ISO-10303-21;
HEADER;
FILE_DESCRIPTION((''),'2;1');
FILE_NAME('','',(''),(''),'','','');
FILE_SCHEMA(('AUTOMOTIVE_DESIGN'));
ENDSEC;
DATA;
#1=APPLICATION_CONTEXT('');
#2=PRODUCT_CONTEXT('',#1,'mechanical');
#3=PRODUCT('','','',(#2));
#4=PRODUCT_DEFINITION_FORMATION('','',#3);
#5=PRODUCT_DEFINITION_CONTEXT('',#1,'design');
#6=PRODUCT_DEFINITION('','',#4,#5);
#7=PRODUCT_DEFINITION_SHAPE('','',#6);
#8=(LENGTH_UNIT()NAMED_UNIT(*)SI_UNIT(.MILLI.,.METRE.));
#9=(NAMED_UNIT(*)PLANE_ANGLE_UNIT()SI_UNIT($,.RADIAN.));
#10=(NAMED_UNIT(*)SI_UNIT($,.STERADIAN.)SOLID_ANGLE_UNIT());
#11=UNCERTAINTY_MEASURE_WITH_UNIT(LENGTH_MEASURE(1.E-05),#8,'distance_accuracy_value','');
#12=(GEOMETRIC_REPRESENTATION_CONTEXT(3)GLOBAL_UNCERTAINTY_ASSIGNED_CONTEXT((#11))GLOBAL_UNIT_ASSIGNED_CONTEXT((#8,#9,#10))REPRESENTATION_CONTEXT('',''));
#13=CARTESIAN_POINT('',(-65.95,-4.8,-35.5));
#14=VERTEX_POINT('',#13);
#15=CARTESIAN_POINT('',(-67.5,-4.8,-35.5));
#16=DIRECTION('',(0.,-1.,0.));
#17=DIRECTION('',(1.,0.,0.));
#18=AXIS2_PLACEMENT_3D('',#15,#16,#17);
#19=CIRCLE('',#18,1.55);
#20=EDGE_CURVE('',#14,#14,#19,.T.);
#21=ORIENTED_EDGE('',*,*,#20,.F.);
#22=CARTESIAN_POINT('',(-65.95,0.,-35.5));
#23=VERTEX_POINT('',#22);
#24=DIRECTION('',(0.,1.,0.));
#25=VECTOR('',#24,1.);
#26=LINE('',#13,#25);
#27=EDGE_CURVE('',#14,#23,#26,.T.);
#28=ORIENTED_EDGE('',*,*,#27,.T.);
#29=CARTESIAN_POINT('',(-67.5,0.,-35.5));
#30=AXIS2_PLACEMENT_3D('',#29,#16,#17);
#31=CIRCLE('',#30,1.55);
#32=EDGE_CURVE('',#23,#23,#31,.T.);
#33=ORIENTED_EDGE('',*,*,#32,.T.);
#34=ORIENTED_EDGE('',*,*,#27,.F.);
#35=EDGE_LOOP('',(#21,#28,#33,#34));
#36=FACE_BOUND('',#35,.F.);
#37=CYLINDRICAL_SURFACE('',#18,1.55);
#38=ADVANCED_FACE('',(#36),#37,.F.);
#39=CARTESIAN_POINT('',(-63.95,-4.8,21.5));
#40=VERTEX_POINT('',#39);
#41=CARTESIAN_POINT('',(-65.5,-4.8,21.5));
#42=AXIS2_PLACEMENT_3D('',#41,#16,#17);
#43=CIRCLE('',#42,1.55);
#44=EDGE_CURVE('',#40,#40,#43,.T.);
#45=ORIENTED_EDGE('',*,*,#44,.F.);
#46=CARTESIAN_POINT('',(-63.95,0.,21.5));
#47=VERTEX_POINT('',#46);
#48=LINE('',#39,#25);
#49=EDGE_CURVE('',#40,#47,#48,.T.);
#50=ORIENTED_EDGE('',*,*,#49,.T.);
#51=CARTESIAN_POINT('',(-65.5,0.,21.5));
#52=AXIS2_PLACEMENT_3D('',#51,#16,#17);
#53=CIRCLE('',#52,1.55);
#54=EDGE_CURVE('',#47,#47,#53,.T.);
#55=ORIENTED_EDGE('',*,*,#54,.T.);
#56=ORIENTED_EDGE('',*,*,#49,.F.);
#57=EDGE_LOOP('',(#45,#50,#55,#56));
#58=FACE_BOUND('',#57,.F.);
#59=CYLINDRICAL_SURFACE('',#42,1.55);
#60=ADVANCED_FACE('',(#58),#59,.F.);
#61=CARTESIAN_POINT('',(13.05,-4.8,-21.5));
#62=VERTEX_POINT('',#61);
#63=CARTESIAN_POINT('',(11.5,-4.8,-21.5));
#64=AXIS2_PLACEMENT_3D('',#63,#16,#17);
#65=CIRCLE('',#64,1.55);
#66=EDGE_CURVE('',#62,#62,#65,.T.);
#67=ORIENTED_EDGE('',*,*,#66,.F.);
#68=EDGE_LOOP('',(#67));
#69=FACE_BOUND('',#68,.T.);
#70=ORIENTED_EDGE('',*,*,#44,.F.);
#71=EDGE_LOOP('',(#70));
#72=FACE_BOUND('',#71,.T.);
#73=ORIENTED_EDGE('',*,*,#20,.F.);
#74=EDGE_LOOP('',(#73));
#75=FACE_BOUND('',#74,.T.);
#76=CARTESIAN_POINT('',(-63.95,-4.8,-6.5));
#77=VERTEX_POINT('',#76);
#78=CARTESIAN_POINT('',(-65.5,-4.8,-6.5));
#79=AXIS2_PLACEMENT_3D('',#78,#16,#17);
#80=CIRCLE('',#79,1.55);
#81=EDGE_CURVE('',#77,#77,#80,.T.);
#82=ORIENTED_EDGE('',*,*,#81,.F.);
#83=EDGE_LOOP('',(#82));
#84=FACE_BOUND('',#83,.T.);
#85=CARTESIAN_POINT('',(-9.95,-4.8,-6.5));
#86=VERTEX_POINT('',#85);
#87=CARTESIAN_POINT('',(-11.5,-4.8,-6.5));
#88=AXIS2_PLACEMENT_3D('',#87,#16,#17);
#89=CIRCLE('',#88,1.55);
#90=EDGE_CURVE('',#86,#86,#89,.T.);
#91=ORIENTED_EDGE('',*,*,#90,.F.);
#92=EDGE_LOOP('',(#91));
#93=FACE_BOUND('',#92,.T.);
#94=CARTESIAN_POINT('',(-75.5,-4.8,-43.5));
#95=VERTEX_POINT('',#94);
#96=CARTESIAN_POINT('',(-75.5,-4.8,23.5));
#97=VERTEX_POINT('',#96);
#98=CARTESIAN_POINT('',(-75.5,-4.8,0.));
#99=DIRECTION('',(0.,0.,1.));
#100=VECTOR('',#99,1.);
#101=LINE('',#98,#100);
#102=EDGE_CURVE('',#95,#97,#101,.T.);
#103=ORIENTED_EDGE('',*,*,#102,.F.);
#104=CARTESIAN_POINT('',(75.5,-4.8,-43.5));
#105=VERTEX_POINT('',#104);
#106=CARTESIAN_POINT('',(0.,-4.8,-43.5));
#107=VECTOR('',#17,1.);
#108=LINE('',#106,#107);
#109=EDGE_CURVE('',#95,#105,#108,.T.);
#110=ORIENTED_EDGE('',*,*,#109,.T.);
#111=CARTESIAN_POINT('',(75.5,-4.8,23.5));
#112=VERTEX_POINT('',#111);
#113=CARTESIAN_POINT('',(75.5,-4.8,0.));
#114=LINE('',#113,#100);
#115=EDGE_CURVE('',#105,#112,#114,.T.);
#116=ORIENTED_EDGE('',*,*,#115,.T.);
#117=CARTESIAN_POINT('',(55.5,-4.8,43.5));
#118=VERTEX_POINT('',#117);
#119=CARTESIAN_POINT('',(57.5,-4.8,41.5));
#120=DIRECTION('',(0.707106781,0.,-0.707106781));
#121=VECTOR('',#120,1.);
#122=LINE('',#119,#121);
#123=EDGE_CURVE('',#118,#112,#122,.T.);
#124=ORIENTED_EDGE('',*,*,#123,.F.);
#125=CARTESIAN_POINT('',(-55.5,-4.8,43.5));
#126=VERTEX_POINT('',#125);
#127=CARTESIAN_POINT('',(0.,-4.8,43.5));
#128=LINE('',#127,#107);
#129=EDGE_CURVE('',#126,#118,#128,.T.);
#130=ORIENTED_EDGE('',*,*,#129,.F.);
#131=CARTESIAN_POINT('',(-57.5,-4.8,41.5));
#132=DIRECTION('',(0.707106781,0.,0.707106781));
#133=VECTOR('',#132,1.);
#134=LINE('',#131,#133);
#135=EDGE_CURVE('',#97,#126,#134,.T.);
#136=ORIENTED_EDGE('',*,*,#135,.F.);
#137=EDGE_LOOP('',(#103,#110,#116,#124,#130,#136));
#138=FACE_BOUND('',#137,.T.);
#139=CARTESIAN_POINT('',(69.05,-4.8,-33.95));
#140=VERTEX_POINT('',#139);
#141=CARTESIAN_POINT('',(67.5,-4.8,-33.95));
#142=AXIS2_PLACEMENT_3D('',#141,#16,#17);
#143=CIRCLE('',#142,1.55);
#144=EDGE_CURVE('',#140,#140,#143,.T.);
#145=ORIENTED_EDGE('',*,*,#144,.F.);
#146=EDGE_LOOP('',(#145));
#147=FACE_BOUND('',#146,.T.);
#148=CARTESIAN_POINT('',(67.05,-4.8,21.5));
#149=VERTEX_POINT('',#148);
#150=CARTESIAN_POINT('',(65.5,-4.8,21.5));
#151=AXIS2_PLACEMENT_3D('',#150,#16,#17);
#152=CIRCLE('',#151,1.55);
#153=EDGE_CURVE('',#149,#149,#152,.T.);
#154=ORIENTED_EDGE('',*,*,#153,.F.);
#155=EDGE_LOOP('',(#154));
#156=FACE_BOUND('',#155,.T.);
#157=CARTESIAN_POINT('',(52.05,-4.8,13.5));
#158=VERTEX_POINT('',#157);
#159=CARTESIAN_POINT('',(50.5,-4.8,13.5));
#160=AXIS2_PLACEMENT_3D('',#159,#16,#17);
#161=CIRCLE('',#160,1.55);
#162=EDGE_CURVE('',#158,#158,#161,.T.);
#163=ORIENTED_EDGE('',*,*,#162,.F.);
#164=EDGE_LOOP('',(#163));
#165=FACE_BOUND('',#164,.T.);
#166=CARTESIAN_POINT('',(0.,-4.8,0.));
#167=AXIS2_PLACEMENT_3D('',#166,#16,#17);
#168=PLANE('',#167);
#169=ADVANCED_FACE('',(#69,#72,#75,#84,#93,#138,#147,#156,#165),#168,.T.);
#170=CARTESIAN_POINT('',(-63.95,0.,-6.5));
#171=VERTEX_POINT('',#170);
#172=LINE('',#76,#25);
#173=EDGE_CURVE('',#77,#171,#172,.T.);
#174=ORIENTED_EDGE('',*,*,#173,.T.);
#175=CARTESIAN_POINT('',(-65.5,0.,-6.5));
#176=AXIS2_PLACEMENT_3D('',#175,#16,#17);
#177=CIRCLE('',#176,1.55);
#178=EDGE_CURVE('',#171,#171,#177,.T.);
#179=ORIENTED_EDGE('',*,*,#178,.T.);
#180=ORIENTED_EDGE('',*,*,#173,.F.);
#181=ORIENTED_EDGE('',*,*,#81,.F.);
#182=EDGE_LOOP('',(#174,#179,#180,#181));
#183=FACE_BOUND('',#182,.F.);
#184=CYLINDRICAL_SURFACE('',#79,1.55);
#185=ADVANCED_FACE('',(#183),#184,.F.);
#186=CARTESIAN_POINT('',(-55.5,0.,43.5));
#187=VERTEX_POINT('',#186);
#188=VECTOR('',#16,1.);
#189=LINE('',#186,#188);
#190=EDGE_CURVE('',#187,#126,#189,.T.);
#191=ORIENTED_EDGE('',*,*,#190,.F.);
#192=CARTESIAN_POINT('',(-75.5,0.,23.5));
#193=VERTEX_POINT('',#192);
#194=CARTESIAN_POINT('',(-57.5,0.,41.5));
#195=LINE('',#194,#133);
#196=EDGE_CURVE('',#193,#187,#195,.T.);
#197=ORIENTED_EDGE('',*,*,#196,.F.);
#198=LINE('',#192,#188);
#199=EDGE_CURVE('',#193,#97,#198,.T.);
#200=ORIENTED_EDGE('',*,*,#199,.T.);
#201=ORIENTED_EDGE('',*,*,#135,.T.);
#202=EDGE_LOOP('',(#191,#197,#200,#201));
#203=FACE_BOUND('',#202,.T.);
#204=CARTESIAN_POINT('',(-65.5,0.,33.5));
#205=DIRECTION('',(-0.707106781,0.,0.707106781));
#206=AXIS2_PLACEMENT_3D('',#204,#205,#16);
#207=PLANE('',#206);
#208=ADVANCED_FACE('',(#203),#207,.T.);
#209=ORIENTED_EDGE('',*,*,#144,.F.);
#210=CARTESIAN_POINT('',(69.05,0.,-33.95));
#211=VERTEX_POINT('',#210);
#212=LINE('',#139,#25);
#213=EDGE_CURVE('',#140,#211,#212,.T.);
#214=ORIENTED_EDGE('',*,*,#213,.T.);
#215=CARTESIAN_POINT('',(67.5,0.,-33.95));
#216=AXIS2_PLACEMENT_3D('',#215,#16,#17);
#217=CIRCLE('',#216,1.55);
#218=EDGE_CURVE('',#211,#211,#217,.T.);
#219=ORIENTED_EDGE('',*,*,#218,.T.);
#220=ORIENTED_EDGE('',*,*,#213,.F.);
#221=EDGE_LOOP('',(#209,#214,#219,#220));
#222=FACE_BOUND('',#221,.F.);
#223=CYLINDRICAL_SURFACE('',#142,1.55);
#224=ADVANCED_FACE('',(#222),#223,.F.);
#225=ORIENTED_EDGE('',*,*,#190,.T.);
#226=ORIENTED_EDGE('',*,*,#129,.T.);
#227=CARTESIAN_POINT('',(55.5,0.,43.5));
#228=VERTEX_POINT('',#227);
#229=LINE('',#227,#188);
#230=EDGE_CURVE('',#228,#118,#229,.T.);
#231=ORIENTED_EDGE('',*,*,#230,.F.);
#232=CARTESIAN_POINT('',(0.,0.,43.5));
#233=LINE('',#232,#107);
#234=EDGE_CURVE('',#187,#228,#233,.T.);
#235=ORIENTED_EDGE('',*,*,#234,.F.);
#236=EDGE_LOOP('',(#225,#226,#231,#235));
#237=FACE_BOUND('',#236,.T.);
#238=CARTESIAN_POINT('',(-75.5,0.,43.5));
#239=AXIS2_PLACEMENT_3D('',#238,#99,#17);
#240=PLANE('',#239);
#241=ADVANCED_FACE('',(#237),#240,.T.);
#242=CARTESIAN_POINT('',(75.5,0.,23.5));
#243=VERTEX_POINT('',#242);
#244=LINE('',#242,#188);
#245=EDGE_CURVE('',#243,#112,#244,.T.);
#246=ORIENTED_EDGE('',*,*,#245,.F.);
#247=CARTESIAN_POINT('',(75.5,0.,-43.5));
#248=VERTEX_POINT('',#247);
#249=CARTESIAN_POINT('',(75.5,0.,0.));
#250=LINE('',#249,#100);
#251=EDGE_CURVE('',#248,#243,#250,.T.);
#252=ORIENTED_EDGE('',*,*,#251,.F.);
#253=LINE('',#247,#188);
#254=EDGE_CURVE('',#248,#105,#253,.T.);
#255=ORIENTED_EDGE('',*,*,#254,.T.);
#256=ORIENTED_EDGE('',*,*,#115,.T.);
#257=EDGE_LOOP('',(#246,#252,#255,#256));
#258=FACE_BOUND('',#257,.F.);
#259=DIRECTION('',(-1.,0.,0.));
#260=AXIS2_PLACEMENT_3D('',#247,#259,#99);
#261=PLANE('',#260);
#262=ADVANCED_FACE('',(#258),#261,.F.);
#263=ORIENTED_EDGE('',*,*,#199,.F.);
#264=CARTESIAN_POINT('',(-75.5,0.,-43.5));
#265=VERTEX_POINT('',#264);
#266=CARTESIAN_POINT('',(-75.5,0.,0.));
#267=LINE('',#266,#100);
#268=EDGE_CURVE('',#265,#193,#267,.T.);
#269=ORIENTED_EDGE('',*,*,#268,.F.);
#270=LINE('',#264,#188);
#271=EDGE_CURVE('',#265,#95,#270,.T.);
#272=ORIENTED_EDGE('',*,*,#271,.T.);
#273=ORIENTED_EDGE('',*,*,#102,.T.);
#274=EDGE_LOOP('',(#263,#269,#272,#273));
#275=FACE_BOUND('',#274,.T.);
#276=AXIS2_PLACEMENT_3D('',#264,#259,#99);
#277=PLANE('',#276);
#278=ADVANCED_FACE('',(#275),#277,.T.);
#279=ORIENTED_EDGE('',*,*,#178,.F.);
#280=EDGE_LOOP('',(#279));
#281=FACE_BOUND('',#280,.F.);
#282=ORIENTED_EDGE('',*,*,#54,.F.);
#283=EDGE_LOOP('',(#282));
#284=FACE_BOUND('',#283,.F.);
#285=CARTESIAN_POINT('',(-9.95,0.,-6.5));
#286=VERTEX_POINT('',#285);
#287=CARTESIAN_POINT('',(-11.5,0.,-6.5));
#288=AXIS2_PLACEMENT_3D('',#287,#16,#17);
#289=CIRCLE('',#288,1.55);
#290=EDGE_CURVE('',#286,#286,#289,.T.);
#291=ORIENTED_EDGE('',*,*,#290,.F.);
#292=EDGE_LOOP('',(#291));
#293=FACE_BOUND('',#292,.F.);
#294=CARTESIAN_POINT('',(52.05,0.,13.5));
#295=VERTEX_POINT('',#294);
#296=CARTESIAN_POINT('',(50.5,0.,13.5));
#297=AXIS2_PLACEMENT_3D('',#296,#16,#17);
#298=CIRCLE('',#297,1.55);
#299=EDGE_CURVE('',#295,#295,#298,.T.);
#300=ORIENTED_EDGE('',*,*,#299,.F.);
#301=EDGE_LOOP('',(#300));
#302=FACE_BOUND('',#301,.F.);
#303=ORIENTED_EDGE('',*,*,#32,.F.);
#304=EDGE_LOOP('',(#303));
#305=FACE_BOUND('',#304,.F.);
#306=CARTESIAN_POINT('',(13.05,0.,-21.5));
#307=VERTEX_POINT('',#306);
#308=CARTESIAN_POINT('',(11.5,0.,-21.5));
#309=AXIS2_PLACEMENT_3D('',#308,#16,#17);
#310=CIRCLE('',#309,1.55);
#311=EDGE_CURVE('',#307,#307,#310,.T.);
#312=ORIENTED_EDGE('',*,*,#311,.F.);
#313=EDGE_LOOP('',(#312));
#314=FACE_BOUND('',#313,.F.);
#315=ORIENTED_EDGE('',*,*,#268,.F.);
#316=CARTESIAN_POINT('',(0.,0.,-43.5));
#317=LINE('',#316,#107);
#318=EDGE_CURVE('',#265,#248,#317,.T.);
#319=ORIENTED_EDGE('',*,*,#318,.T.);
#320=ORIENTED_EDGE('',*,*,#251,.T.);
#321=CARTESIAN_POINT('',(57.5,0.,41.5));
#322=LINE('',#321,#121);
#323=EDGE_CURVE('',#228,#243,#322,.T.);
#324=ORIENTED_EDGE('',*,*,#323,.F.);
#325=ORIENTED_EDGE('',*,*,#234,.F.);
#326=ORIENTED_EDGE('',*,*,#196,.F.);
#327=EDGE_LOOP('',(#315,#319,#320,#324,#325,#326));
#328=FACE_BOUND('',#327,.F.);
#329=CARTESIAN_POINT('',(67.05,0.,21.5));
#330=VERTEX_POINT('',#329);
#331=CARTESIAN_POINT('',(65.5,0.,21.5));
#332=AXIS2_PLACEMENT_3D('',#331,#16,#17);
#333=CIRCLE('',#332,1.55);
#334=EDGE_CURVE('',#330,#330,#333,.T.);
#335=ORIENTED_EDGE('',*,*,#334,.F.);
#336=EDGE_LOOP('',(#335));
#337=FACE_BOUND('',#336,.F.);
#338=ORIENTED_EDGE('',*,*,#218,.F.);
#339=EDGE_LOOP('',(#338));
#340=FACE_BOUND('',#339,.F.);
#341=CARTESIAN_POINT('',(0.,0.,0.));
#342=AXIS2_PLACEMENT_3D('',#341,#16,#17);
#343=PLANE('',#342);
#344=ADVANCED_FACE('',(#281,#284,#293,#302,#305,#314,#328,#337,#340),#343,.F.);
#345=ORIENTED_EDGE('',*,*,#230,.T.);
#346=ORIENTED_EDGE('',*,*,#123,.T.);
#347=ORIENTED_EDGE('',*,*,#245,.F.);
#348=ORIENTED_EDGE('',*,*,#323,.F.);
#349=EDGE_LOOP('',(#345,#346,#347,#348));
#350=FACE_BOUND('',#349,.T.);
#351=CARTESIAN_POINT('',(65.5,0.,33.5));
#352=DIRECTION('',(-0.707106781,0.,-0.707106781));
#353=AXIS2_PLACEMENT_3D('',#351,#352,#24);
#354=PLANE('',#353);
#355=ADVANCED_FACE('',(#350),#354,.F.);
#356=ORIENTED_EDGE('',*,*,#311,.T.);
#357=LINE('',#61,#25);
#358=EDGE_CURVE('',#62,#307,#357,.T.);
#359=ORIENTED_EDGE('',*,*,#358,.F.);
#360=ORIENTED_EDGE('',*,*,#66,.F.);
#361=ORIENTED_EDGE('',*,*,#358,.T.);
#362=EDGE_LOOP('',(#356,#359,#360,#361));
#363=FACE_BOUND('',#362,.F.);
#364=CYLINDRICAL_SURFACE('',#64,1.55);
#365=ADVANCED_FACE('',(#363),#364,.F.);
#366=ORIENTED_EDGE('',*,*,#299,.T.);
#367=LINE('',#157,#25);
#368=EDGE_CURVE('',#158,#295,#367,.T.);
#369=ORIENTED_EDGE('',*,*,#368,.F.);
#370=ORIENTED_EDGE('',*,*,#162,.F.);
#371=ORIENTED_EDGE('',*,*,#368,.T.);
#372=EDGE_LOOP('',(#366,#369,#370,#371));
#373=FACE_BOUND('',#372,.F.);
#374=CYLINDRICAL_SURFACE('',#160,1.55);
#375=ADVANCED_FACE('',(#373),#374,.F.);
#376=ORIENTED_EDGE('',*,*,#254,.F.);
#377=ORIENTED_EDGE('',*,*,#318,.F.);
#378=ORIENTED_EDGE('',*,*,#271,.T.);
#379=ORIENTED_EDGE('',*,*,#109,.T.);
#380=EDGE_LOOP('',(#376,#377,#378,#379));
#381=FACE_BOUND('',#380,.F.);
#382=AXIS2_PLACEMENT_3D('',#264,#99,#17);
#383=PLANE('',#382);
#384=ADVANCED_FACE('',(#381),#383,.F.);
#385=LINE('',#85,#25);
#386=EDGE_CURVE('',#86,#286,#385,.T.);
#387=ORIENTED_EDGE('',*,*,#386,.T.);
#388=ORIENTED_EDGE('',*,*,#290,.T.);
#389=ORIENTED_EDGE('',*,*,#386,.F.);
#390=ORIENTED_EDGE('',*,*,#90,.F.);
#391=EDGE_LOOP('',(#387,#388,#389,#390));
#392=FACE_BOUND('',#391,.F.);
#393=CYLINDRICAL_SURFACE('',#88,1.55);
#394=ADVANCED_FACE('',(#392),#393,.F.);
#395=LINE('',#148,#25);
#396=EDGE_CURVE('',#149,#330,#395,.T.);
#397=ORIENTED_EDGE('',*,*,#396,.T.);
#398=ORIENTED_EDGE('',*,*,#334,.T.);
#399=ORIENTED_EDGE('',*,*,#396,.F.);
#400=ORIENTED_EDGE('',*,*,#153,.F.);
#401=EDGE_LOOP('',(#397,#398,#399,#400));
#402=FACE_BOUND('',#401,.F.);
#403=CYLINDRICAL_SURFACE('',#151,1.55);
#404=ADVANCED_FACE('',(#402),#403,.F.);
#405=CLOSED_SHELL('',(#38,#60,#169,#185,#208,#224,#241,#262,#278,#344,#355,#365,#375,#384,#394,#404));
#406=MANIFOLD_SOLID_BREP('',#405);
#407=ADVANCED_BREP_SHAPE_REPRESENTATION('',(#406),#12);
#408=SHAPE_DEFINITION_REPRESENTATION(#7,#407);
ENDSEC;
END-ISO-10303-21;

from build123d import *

# Parameters (mm, degrees)
F0_W     = 151
F0_H     = 87
F1_DEPTH = 4.8
F2_R     = 1.55
F3_DEPTH = 4.8
F4_DEPTH = 4.8
F5_SIZE  = 20
F6_SIZE  = 20


with BuildPart() as f1:
    # F0 (on Front) → F1 (new body)
    with BuildSketch(Plane.XZ):
        Rectangle(F0_W, F0_H)
    extrude(amount=F1_DEPTH)

    # F2 (on face) → F3 (cut)
    with BuildSketch(Plane.XZ.offset(4.8)):
        with Locations((-65.5, -6.5)):
            Circle(F2_R)
    extrude(amount=-F3_DEPTH, mode=Mode.SUBTRACT)

    # F2 (on face) → F4 (cut)
    with BuildSketch(Plane.XZ.offset(4.8)):
        with Locations((-65.5, 21.5)):
            Circle(F2_R)
        with Locations((65.5, 21.5)):
            Circle(F2_R)
        with Locations((-67.5, -35.5)):
            Circle(F2_R)
        with Locations((67.5, -33.95)):
            Circle(F2_R)
        with Locations((50.5, 13.5)):
            Circle(F2_R)
        with Locations((11.5, -21.5)):
            Circle(F2_R)
        with Locations((-65.5, -6.5)):
            Circle(F2_R)
        with Locations((-11.5, -6.5)):
            Circle(F2_R)
    extrude(amount=-F4_DEPTH, mode=Mode.SUBTRACT)

    # F5
    f5_edges = [f1.edges().sort_by_distance(p)[0] for p in [
        (-75.5, -2.4, 43.5),
    ]]
    chamfer(f5_edges, length=F5_SIZE)

    # F6
    f6_edges = [f1.edges().sort_by_distance(p)[0] for p in [
        (75.5, -2.4, 43.5),
    ]]
    chamfer(f6_edges, length=F6_SIZE)


solid = f1.part
